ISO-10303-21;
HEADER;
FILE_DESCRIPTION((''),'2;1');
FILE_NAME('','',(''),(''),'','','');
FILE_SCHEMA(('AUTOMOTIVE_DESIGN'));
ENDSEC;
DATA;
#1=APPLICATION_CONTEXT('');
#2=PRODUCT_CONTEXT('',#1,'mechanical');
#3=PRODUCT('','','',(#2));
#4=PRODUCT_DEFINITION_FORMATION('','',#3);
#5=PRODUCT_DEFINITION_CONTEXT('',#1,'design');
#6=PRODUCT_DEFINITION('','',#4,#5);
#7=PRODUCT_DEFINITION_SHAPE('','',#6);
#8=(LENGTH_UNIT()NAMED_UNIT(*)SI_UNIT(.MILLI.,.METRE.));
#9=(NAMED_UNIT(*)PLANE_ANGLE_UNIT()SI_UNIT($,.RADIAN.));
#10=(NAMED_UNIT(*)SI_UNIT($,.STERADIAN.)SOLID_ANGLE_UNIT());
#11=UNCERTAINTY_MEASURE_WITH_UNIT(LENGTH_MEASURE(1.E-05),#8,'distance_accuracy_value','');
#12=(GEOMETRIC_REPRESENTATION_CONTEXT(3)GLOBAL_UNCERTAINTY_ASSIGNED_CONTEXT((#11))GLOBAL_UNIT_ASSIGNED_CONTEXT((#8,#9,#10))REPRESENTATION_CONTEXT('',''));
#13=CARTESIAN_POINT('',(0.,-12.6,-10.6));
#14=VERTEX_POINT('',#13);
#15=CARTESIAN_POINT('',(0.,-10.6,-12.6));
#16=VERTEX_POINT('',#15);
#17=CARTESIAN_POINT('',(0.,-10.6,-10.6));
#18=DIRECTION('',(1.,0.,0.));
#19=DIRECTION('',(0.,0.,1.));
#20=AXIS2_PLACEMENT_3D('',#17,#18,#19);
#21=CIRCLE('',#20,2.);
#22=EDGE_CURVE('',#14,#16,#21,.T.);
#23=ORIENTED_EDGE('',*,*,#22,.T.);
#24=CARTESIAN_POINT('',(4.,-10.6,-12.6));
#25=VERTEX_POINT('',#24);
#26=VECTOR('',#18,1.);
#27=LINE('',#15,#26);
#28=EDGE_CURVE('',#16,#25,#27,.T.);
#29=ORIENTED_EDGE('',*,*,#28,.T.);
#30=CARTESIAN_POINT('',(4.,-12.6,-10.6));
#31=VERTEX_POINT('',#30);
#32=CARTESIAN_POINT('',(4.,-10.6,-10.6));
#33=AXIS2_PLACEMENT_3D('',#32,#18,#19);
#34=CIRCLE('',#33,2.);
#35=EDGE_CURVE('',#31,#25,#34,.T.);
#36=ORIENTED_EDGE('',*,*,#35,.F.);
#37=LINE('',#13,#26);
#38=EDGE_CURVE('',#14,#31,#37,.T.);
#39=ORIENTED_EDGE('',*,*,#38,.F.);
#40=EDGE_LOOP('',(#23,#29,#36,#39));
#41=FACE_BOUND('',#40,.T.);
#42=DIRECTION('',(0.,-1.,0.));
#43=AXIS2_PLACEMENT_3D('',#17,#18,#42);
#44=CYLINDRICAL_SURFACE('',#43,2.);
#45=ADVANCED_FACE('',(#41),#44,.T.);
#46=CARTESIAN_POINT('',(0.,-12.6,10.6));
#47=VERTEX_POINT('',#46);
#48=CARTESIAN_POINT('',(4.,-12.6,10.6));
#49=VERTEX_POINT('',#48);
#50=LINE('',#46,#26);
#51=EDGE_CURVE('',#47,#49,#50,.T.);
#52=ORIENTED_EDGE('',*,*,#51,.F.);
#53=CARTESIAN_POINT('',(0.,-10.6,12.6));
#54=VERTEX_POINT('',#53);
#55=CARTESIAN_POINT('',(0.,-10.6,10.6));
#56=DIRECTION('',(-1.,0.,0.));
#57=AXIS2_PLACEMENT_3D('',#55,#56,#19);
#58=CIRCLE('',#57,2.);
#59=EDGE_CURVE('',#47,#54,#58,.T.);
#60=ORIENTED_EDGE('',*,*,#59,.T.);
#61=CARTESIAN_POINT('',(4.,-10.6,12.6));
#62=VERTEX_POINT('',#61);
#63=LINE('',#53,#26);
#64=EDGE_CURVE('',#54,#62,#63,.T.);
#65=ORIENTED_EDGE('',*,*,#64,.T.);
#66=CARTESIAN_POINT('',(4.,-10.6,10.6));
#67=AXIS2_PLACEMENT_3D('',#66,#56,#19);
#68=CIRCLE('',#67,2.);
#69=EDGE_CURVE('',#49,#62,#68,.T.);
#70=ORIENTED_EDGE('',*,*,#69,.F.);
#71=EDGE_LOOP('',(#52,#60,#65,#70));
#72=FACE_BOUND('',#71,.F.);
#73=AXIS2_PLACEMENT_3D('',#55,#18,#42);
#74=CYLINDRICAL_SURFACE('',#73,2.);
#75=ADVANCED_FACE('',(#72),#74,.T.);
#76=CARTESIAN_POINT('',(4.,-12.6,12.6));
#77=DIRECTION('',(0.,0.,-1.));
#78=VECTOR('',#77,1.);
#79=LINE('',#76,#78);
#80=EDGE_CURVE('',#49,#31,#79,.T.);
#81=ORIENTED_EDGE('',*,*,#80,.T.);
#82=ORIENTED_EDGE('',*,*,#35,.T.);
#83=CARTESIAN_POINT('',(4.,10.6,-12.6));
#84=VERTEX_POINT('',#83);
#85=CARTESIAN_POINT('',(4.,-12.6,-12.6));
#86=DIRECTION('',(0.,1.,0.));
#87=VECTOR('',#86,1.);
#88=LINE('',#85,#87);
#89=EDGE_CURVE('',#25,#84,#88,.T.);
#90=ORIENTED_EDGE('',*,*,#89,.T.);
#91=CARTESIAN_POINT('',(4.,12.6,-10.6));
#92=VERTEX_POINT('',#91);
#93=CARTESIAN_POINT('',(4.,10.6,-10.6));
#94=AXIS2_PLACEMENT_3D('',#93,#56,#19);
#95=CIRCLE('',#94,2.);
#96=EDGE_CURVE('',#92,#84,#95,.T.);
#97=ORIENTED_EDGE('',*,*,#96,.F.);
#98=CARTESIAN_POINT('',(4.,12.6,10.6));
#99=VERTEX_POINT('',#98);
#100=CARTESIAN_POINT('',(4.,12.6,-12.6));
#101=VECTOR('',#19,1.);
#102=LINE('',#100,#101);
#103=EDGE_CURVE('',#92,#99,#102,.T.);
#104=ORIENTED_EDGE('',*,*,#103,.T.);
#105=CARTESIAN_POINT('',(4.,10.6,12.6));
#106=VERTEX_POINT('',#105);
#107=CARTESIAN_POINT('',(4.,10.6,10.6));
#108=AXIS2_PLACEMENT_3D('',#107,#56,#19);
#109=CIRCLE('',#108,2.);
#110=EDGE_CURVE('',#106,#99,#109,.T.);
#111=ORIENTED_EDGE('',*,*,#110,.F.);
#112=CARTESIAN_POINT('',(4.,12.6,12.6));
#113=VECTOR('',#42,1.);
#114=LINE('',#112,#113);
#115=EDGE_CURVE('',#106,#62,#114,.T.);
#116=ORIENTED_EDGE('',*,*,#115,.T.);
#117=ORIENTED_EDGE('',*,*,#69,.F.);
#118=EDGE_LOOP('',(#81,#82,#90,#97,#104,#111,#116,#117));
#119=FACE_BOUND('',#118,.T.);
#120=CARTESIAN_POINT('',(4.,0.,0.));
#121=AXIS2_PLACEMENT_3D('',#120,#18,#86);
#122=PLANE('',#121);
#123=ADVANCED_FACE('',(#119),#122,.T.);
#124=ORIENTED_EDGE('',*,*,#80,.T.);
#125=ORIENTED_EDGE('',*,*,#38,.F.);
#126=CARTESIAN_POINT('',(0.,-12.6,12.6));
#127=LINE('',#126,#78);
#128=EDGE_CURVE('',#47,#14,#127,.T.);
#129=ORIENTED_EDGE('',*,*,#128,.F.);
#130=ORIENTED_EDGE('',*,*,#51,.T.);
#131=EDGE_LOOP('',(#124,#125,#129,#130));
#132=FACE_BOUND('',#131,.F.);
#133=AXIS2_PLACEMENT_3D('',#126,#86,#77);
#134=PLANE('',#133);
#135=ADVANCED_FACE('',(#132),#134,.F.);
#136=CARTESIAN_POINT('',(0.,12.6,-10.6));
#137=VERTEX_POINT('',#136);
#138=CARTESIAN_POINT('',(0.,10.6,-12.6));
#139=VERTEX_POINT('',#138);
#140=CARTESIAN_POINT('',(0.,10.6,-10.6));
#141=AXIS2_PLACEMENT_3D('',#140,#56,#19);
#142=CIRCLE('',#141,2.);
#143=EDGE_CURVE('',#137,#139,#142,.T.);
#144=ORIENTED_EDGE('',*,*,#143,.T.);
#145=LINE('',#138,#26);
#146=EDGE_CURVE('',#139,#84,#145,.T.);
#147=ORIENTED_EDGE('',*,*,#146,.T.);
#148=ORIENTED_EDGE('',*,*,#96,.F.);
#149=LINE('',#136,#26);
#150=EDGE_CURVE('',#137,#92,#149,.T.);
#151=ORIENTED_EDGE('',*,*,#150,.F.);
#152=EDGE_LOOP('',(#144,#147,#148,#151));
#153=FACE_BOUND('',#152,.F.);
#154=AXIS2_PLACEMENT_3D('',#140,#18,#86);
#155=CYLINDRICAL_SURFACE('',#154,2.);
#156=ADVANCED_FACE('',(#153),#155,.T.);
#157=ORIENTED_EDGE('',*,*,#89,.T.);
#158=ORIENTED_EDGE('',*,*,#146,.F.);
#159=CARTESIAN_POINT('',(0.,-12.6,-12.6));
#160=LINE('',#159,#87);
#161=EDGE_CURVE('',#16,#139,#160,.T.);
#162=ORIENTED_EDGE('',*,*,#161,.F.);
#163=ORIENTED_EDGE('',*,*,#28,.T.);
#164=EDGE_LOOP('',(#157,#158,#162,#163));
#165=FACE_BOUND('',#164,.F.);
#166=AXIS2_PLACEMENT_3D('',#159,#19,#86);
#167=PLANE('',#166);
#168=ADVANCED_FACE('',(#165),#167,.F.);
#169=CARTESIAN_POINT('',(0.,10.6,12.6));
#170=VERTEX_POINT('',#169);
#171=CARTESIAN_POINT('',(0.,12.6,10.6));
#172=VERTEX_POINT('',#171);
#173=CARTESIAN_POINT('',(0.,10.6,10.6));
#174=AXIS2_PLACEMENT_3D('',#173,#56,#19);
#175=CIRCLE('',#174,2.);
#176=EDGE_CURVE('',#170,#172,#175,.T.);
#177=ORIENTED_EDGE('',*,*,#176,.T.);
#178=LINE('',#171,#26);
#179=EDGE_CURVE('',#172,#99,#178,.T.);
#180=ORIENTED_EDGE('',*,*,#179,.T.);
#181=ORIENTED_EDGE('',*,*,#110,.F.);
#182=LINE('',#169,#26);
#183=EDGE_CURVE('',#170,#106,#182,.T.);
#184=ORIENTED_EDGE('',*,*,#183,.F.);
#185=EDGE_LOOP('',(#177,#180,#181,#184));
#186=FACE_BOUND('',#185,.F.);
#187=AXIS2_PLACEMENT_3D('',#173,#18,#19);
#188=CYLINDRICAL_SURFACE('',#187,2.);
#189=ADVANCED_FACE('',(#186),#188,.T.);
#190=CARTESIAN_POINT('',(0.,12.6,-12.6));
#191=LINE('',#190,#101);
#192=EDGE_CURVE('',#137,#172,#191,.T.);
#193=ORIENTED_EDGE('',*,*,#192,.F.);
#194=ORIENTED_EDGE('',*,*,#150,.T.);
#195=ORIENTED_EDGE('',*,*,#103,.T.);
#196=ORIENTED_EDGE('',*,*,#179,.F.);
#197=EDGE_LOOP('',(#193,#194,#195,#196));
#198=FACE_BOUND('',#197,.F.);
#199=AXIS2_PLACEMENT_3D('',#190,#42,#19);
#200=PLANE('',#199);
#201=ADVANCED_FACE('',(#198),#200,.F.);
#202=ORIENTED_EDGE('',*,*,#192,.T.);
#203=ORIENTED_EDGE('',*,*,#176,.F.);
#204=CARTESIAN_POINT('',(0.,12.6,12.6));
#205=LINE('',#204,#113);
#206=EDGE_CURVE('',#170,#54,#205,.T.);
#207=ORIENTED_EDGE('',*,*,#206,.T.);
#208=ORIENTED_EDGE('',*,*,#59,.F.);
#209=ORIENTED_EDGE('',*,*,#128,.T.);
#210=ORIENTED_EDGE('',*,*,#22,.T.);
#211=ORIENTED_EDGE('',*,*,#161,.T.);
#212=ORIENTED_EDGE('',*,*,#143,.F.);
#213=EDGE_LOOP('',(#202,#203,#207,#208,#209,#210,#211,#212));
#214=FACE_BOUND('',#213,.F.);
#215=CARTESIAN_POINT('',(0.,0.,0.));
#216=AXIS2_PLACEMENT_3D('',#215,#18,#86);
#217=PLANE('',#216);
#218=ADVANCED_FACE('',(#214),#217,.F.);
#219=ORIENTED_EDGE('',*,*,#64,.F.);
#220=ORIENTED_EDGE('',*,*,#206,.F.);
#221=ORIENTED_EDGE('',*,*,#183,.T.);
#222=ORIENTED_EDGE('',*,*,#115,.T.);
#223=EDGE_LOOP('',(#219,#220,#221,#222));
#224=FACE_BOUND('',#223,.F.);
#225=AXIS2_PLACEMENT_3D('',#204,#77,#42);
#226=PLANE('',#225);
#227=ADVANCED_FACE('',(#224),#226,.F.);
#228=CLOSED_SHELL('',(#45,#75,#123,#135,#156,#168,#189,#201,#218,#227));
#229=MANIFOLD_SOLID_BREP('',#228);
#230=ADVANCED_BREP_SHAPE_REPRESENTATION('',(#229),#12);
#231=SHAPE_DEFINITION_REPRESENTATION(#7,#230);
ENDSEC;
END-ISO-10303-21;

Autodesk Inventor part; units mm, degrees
ref_plane "YZ Plane" through (0, 0, 0) normal (1, 0, 0) x (0, 1, 0)
ref_plane "XZ Plane" through (0, 0, 0) normal (0, 1, 0) x (-1, 0, 0)
ref_plane "XY Plane" through (0, 0, 0) normal (0, 0, 1) x (1, 0, 0)
sketch "Sketch1" plane through (0, 0, 0) normal (1, 0, 0) x (0, 1, 0)
  line L0 (-12.6, -12.6) -> (12.6, -12.6)
  line L1 (12.6, -12.6) -> (12.6, 12.6)
  line L2 (12.6, 12.6) -> (-12.6, 12.6)
  line L3 (-12.6, 12.6) -> (-12.6, -12.6)
  line L4 (-12.6, -12.6) -> (12.6, 12.6) construction
  line L5 (12.6, -12.6) -> (-12.6, 12.6) construction
  point P0 (0, 0)
  dimension "d0" = 25.2
  dimension "d1" = 25.2
extrude "Extrusion1" add sketch "Sketch1" along normal blind 4
fillet "Fillet1" radius 2 4 edges at (2, 12.6, 12.6) (2, 12.6, -12.6) (2, -12.6, -12.6) (2, -12.6, 12.6)
properties part number "Retranslator" material "Iron, Malleable"
